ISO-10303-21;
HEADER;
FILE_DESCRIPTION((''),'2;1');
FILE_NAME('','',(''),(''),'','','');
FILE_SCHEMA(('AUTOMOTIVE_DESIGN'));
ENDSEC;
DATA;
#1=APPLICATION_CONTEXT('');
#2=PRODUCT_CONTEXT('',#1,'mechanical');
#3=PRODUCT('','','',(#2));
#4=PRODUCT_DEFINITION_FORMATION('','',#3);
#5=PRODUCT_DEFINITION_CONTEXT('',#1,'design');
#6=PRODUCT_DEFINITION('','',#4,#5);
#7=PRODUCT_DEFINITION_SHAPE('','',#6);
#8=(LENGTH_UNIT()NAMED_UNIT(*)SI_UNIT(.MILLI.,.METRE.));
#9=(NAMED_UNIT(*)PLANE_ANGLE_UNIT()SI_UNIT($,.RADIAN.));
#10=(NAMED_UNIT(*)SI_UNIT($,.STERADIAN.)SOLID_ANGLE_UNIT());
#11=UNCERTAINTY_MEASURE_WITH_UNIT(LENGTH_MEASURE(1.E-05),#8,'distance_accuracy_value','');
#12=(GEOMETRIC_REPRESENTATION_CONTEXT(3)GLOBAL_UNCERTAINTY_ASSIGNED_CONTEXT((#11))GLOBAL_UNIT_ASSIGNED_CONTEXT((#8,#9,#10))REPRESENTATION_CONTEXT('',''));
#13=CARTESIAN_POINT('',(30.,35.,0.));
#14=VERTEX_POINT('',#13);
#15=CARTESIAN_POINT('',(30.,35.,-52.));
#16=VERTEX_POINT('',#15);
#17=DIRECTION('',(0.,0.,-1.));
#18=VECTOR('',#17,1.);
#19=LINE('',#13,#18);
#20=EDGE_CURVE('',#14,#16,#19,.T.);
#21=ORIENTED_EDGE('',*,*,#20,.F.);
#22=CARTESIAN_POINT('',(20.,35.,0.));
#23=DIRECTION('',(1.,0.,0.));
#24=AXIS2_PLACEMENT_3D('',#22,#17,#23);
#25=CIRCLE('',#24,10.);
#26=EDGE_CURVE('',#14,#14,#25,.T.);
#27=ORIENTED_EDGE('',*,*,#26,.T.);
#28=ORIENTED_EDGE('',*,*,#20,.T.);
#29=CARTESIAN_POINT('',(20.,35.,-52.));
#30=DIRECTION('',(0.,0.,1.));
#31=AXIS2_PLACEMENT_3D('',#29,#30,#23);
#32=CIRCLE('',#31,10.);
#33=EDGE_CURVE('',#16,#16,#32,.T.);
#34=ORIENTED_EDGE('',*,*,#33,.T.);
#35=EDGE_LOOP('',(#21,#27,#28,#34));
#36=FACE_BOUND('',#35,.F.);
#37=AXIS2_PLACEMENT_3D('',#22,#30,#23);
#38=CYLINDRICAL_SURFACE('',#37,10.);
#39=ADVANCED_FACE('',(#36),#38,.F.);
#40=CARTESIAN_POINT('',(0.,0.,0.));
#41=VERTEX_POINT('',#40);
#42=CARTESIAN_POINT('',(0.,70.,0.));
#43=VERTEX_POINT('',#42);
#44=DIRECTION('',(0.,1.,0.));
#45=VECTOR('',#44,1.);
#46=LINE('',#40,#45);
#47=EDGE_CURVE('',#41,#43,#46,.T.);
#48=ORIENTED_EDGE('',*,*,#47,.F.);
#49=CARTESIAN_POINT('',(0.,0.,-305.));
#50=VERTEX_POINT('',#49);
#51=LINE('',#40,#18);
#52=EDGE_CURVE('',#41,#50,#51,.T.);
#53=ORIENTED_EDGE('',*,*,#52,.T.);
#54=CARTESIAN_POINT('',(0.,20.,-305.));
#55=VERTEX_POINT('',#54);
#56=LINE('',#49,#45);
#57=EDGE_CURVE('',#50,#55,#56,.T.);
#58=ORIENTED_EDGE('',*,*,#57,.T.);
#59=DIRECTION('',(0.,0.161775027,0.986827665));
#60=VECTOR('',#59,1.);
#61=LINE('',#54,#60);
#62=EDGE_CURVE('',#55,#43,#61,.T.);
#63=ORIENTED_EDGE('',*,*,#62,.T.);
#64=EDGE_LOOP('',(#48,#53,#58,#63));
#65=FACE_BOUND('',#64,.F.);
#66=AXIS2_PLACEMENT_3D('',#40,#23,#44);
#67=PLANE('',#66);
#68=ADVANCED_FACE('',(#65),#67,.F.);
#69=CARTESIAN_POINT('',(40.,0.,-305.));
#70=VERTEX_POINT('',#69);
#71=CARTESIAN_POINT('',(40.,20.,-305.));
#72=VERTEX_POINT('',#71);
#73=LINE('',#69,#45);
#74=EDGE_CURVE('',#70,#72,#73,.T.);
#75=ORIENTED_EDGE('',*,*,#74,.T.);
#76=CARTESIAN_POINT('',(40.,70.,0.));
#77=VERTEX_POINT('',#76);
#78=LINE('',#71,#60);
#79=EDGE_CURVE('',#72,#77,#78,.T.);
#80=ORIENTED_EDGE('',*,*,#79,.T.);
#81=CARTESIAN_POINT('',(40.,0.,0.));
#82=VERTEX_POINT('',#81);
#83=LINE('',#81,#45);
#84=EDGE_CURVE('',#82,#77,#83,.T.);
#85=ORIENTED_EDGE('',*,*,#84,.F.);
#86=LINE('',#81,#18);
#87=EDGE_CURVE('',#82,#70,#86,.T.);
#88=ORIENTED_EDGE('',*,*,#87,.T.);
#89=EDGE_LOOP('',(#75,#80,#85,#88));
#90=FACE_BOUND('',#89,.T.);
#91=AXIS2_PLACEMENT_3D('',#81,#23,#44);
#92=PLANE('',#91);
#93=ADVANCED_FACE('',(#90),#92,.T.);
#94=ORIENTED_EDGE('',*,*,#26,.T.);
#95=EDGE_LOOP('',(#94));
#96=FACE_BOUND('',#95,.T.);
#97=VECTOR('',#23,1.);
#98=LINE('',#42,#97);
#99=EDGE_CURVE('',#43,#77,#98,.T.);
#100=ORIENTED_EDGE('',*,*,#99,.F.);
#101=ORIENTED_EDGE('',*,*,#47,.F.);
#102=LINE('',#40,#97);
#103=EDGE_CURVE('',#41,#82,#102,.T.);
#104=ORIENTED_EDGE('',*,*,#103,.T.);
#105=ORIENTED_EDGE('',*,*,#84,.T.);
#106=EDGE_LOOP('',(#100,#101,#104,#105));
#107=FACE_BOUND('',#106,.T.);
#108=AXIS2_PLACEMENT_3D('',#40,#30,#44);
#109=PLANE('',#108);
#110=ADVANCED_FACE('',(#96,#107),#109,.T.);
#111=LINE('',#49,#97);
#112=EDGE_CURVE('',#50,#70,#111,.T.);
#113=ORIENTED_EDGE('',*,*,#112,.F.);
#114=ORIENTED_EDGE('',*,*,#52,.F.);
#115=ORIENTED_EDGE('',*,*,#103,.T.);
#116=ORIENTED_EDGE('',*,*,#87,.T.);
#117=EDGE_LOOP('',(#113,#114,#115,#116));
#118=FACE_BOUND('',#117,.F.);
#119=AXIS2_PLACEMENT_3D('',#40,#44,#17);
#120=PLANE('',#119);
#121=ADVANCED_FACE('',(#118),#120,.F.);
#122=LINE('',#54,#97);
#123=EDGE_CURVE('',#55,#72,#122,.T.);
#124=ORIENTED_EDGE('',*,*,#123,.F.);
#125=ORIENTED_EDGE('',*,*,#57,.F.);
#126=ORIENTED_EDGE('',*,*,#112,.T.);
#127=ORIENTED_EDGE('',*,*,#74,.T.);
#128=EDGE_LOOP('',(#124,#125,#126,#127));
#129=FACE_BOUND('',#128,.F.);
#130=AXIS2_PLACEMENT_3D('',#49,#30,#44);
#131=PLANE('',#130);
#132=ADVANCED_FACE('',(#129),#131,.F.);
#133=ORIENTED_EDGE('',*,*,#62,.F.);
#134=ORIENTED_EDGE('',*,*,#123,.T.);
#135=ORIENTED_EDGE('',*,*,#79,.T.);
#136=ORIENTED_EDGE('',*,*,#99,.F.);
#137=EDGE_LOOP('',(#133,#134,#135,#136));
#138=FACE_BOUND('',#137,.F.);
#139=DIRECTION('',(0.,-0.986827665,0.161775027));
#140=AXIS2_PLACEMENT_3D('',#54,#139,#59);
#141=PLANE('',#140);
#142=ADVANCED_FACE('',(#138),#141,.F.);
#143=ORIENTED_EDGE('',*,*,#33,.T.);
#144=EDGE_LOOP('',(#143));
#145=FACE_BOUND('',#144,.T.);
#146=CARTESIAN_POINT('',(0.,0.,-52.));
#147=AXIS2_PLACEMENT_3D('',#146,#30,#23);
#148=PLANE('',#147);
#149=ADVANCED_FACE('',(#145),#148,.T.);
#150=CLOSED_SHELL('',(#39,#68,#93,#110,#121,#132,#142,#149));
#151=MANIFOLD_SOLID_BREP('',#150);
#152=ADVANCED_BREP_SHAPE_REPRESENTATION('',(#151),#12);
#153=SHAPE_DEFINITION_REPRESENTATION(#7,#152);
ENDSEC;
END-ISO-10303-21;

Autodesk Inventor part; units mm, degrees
ref_plane "YZ Plane" through (0, 0, 0) normal (1, 0, 0) x (0, 1, 0)
ref_plane "XZ Plane" through (0, 0, 0) normal (0, 1, 0) x (-1, 0, 0)
ref_plane "XY Plane" through (0, 0, 0) normal (0, 0, 1) x (1, 0, 0)
sketch "Sketch2" plane through (0, 0, 0) normal (1, 0, 0) x (0, 1, 0)
  line L0 (0, 0) -> (70, 0)
  line L1 (0, 0) -> (0, -305)
  line L2 (0, -305) -> (20, -305)
  line L3 (20, -305) -> (70, 0)
  dimension "d2" = 70
  dimension "d3" = 305
  dimension "d4" = 20
extrude "Extrusion1" add sketch "Sketch2" along normal blind 40
sketch "Sketch3" plane through (0, 0, 0) normal (0, 0, 1) x (1, 0, 0)
  line L0 (0, 35) -> (40, 35)
  line L1 (0, 0) -> (40, 0) projected
  line L2 (20, 0) -> (20, 70)
  line L3 (0, 70) -> (40, 70) projected
  circle A0 centre (20, 35) radius 10
  dimension "d7" = 35
  dimension "d8" = 20
extrude "Extrusion2" cut sketch "Sketch3" against normal blind 52
properties part number "Car Base" material "Wood (Maple)"
